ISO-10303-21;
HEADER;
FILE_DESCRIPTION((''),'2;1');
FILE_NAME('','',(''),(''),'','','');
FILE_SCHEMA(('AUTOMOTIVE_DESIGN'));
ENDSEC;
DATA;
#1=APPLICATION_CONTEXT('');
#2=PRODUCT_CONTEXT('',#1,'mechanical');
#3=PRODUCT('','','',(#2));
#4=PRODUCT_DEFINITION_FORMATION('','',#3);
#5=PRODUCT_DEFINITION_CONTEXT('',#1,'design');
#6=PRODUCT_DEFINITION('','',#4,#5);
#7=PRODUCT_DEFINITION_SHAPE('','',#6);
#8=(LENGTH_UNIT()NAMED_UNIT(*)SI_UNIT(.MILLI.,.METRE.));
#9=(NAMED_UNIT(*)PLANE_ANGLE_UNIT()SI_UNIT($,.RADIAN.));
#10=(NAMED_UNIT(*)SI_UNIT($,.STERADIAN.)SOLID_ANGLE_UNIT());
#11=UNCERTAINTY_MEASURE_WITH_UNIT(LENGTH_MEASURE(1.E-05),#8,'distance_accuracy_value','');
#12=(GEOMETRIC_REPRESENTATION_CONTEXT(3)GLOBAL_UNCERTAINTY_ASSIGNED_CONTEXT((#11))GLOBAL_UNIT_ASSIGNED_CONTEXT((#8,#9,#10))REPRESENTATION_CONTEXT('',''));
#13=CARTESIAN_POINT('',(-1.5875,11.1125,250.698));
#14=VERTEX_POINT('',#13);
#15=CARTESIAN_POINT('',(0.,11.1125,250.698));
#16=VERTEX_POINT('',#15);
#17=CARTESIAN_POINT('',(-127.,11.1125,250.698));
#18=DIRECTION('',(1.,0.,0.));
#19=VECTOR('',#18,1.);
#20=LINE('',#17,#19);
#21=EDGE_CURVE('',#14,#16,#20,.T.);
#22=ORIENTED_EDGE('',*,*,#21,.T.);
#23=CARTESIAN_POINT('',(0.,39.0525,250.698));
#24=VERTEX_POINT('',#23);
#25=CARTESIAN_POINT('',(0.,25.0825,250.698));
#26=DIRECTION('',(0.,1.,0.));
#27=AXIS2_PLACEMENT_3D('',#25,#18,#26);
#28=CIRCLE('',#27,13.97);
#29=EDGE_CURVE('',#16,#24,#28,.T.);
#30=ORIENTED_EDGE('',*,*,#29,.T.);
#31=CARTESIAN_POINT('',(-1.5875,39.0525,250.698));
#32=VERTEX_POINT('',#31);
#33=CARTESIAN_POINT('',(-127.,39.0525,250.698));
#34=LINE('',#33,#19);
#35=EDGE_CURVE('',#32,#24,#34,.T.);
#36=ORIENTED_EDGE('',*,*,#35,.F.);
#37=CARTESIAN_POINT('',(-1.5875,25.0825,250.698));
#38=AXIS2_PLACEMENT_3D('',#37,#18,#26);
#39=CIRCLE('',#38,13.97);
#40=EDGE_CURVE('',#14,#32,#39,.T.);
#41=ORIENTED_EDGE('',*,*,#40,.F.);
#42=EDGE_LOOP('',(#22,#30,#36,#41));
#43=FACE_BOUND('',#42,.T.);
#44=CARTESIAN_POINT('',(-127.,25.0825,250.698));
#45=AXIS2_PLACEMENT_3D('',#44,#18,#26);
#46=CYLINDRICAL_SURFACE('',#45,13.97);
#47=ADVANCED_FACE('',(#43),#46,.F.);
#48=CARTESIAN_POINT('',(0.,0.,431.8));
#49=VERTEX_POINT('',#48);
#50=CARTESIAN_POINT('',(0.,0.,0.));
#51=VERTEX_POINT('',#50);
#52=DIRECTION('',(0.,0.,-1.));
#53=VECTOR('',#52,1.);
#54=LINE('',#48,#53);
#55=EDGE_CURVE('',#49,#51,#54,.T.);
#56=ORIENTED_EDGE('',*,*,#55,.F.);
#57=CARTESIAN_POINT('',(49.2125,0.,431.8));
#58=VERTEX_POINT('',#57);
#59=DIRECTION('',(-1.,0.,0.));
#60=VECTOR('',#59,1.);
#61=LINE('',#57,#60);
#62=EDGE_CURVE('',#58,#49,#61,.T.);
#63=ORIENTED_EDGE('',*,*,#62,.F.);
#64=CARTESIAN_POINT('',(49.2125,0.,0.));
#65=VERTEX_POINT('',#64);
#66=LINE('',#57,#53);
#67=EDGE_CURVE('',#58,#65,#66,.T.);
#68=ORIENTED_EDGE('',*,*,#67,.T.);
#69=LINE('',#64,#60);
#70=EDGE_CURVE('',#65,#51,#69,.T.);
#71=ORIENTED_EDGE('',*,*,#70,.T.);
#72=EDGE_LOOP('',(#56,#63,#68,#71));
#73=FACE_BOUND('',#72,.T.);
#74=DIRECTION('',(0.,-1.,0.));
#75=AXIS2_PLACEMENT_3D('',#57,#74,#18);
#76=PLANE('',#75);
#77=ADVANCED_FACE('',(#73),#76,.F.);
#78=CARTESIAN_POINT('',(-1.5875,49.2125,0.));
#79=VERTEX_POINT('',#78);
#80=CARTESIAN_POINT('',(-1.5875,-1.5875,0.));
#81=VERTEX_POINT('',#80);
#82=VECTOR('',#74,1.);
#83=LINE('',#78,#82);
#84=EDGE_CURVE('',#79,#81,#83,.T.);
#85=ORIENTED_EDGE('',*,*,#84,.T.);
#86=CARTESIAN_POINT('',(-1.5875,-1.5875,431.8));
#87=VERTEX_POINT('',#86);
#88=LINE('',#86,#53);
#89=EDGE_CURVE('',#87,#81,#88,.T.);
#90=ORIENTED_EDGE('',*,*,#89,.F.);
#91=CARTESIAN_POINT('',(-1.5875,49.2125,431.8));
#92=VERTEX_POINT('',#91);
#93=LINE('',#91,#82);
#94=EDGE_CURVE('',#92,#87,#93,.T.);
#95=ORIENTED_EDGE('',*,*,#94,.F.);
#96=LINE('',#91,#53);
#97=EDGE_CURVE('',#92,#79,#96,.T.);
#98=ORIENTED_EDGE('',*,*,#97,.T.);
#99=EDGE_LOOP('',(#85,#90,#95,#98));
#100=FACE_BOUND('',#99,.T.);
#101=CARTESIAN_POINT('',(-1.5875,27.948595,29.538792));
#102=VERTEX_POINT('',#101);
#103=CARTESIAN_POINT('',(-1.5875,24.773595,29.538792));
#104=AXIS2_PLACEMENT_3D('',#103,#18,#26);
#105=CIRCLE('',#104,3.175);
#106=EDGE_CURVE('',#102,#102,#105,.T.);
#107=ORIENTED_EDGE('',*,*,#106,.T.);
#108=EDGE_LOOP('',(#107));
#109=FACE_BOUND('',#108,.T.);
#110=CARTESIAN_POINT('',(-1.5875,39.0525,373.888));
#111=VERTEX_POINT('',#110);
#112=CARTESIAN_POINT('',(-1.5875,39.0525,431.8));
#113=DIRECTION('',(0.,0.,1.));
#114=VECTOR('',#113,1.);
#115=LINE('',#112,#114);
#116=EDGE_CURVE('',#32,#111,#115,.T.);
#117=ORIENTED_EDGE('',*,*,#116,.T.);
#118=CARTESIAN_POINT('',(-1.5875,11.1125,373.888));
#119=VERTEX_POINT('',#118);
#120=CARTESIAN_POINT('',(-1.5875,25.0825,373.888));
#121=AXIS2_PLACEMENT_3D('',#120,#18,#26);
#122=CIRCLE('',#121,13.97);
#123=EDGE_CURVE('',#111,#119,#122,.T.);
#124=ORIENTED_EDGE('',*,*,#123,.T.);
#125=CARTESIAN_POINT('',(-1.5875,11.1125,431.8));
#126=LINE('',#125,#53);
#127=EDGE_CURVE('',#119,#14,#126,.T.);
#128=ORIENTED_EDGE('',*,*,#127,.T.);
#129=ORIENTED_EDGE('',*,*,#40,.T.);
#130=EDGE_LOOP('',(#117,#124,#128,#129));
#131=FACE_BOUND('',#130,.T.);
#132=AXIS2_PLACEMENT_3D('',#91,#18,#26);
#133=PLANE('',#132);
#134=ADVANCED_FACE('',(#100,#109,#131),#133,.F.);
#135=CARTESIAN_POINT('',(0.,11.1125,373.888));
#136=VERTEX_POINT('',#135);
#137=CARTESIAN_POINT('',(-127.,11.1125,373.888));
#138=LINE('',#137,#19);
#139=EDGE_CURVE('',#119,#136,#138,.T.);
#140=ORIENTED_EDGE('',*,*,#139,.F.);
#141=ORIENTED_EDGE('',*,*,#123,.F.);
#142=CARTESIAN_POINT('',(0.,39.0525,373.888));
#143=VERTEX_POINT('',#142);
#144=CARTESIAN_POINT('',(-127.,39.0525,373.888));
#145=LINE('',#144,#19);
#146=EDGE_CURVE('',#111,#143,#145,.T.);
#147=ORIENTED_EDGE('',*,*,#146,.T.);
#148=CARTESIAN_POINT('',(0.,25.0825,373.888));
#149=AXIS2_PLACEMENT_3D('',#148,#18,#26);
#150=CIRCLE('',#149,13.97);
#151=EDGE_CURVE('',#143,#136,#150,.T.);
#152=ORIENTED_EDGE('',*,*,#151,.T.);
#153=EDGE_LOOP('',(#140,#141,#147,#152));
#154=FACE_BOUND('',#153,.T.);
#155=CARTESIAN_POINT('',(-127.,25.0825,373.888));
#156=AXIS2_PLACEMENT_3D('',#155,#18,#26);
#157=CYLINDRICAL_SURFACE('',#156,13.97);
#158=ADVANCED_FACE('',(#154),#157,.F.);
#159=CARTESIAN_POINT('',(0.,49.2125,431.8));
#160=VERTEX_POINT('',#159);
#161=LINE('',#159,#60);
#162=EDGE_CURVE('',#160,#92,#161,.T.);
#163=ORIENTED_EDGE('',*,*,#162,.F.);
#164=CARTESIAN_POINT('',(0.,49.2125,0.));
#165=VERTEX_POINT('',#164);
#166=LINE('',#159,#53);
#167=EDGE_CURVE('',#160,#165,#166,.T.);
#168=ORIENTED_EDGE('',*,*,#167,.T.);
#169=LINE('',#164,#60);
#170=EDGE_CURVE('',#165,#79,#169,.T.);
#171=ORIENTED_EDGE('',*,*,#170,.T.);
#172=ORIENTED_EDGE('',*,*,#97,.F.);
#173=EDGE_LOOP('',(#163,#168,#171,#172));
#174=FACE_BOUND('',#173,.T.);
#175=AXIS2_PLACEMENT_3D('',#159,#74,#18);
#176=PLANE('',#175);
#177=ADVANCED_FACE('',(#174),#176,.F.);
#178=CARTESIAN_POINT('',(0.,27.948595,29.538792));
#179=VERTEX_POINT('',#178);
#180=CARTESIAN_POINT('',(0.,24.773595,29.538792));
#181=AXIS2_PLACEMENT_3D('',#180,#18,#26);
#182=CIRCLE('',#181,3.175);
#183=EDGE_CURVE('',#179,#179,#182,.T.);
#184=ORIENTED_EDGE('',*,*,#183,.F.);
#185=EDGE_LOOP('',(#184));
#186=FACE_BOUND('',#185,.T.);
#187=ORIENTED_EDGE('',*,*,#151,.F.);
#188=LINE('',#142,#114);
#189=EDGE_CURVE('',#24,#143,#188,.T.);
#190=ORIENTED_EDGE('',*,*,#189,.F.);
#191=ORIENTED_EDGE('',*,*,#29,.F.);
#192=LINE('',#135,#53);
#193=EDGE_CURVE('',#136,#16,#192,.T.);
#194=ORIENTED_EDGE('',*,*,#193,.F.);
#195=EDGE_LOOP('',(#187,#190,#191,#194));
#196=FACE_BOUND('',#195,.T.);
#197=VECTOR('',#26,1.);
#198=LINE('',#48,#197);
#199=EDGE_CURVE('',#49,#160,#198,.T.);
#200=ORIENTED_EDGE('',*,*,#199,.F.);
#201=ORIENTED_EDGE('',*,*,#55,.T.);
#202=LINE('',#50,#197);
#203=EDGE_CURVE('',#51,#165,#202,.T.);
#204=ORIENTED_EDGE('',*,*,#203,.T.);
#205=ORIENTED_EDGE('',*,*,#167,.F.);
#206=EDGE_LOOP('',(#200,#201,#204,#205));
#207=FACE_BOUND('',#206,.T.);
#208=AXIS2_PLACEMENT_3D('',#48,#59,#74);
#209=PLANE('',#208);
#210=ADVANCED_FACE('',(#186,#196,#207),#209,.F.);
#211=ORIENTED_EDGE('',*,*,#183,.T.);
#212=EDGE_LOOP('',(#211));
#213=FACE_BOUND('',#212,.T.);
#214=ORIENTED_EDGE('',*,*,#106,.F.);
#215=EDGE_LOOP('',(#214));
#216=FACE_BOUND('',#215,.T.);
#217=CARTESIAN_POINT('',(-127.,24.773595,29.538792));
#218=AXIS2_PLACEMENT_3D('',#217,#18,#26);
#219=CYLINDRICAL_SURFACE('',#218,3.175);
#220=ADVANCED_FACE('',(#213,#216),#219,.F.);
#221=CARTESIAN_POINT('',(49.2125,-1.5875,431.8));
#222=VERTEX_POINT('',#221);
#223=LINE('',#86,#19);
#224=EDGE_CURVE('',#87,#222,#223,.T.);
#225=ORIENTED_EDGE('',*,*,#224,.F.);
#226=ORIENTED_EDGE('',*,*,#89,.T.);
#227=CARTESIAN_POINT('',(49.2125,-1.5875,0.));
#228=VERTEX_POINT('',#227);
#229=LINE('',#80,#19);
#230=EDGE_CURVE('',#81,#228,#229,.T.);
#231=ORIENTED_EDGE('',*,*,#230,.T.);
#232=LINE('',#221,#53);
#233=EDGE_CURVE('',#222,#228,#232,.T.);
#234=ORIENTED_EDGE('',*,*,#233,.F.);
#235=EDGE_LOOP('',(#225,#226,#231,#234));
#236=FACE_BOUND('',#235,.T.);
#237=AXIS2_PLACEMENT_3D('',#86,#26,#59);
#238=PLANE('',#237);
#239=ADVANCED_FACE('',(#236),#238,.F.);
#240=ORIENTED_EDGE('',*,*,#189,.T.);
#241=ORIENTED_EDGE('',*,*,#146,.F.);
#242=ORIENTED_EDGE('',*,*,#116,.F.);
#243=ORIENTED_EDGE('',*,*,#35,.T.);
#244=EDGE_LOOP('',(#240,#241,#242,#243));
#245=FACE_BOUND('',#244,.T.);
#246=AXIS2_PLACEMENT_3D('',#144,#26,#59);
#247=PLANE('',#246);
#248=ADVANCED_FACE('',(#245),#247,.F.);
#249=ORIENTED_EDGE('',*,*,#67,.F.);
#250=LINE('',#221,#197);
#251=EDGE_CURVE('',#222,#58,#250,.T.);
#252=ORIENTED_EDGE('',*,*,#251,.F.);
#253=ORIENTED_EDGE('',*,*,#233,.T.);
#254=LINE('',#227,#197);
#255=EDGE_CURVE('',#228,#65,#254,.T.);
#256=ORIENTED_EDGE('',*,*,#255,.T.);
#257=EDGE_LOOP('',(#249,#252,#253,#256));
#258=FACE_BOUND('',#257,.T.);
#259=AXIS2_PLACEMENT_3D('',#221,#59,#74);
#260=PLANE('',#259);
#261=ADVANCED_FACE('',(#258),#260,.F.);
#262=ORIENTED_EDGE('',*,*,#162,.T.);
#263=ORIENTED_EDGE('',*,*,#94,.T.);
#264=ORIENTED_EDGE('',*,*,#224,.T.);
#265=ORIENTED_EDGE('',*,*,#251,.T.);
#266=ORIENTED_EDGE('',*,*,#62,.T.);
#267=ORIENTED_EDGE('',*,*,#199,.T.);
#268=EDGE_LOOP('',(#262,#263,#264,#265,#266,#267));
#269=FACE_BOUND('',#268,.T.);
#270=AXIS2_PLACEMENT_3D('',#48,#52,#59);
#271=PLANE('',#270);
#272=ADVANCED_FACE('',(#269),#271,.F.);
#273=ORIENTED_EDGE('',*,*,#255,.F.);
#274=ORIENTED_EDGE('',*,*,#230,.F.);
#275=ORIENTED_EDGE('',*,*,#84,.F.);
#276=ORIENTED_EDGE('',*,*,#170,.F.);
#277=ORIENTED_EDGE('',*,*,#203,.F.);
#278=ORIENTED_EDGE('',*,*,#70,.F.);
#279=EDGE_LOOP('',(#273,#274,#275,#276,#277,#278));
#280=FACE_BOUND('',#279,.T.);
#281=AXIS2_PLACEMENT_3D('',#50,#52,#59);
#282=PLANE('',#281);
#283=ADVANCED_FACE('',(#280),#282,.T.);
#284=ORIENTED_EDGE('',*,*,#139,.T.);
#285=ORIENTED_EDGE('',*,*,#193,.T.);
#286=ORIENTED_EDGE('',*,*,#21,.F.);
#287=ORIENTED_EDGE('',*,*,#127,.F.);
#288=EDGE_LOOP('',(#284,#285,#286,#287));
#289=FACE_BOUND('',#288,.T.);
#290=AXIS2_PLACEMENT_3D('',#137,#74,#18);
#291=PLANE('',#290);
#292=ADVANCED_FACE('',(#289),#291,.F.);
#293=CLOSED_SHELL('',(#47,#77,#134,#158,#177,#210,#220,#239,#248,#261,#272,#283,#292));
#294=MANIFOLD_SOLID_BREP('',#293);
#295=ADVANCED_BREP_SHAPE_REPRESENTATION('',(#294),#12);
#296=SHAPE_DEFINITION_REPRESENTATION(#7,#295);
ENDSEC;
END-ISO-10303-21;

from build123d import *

# Parameters (mm, degrees)
BOSS_EXTRUDE2_DEPTH = 431.8
CUT_EXTRUDE3_DEPTH  = 127
SKETCH7_R           = 3.175
CUT_EXTRUDE4_DEPTH  = 127


with BuildPart() as part:
    # Sketch3 → Boss-Extrude2 (new body)
    with BuildSketch(Plane.XY):
        Polygon((0, 0), (0, 49.2125), (-1.5875, 49.2125), (-1.5875, -1.5875), (49.2125, -1.5875), (49.2125, 0), align=None)
    extrude(amount=BOSS_EXTRUDE2_DEPTH)

    # Sketch6 → Cut-Extrude3 (cut)
    with BuildSketch(Plane(origin=(0, 0, 0), x_dir=(0, 0, -1), z_dir=(1, 0, 0))):
        with BuildLine():
            Line((-373.888, 39.0525), (-250.698, 39.0525))
            ThreePointArc((-250.698, 39.0525), (-236.728, 25.0825), (-250.698, 11.1125))
            Line((-250.698, 11.1125), (-373.888, 11.1125))
            ThreePointArc((-373.888, 11.1125), (-387.858, 25.0825), (-373.888, 39.0525))
        make_face()
    extrude(amount=-CUT_EXTRUDE3_DEPTH, mode=Mode.SUBTRACT)

    # Sketch7 → Cut-Extrude4 (cut)
    with BuildSketch(Plane(origin=(0, 0, 0), x_dir=(0, 0, -1), z_dir=(1, 0, 0))):
        with Locations((-29.538792285, 24.773594829)):
            Circle(SKETCH7_R)
    extrude(amount=-CUT_EXTRUDE4_DEPTH, mode=Mode.SUBTRACT)


solid = part.part
